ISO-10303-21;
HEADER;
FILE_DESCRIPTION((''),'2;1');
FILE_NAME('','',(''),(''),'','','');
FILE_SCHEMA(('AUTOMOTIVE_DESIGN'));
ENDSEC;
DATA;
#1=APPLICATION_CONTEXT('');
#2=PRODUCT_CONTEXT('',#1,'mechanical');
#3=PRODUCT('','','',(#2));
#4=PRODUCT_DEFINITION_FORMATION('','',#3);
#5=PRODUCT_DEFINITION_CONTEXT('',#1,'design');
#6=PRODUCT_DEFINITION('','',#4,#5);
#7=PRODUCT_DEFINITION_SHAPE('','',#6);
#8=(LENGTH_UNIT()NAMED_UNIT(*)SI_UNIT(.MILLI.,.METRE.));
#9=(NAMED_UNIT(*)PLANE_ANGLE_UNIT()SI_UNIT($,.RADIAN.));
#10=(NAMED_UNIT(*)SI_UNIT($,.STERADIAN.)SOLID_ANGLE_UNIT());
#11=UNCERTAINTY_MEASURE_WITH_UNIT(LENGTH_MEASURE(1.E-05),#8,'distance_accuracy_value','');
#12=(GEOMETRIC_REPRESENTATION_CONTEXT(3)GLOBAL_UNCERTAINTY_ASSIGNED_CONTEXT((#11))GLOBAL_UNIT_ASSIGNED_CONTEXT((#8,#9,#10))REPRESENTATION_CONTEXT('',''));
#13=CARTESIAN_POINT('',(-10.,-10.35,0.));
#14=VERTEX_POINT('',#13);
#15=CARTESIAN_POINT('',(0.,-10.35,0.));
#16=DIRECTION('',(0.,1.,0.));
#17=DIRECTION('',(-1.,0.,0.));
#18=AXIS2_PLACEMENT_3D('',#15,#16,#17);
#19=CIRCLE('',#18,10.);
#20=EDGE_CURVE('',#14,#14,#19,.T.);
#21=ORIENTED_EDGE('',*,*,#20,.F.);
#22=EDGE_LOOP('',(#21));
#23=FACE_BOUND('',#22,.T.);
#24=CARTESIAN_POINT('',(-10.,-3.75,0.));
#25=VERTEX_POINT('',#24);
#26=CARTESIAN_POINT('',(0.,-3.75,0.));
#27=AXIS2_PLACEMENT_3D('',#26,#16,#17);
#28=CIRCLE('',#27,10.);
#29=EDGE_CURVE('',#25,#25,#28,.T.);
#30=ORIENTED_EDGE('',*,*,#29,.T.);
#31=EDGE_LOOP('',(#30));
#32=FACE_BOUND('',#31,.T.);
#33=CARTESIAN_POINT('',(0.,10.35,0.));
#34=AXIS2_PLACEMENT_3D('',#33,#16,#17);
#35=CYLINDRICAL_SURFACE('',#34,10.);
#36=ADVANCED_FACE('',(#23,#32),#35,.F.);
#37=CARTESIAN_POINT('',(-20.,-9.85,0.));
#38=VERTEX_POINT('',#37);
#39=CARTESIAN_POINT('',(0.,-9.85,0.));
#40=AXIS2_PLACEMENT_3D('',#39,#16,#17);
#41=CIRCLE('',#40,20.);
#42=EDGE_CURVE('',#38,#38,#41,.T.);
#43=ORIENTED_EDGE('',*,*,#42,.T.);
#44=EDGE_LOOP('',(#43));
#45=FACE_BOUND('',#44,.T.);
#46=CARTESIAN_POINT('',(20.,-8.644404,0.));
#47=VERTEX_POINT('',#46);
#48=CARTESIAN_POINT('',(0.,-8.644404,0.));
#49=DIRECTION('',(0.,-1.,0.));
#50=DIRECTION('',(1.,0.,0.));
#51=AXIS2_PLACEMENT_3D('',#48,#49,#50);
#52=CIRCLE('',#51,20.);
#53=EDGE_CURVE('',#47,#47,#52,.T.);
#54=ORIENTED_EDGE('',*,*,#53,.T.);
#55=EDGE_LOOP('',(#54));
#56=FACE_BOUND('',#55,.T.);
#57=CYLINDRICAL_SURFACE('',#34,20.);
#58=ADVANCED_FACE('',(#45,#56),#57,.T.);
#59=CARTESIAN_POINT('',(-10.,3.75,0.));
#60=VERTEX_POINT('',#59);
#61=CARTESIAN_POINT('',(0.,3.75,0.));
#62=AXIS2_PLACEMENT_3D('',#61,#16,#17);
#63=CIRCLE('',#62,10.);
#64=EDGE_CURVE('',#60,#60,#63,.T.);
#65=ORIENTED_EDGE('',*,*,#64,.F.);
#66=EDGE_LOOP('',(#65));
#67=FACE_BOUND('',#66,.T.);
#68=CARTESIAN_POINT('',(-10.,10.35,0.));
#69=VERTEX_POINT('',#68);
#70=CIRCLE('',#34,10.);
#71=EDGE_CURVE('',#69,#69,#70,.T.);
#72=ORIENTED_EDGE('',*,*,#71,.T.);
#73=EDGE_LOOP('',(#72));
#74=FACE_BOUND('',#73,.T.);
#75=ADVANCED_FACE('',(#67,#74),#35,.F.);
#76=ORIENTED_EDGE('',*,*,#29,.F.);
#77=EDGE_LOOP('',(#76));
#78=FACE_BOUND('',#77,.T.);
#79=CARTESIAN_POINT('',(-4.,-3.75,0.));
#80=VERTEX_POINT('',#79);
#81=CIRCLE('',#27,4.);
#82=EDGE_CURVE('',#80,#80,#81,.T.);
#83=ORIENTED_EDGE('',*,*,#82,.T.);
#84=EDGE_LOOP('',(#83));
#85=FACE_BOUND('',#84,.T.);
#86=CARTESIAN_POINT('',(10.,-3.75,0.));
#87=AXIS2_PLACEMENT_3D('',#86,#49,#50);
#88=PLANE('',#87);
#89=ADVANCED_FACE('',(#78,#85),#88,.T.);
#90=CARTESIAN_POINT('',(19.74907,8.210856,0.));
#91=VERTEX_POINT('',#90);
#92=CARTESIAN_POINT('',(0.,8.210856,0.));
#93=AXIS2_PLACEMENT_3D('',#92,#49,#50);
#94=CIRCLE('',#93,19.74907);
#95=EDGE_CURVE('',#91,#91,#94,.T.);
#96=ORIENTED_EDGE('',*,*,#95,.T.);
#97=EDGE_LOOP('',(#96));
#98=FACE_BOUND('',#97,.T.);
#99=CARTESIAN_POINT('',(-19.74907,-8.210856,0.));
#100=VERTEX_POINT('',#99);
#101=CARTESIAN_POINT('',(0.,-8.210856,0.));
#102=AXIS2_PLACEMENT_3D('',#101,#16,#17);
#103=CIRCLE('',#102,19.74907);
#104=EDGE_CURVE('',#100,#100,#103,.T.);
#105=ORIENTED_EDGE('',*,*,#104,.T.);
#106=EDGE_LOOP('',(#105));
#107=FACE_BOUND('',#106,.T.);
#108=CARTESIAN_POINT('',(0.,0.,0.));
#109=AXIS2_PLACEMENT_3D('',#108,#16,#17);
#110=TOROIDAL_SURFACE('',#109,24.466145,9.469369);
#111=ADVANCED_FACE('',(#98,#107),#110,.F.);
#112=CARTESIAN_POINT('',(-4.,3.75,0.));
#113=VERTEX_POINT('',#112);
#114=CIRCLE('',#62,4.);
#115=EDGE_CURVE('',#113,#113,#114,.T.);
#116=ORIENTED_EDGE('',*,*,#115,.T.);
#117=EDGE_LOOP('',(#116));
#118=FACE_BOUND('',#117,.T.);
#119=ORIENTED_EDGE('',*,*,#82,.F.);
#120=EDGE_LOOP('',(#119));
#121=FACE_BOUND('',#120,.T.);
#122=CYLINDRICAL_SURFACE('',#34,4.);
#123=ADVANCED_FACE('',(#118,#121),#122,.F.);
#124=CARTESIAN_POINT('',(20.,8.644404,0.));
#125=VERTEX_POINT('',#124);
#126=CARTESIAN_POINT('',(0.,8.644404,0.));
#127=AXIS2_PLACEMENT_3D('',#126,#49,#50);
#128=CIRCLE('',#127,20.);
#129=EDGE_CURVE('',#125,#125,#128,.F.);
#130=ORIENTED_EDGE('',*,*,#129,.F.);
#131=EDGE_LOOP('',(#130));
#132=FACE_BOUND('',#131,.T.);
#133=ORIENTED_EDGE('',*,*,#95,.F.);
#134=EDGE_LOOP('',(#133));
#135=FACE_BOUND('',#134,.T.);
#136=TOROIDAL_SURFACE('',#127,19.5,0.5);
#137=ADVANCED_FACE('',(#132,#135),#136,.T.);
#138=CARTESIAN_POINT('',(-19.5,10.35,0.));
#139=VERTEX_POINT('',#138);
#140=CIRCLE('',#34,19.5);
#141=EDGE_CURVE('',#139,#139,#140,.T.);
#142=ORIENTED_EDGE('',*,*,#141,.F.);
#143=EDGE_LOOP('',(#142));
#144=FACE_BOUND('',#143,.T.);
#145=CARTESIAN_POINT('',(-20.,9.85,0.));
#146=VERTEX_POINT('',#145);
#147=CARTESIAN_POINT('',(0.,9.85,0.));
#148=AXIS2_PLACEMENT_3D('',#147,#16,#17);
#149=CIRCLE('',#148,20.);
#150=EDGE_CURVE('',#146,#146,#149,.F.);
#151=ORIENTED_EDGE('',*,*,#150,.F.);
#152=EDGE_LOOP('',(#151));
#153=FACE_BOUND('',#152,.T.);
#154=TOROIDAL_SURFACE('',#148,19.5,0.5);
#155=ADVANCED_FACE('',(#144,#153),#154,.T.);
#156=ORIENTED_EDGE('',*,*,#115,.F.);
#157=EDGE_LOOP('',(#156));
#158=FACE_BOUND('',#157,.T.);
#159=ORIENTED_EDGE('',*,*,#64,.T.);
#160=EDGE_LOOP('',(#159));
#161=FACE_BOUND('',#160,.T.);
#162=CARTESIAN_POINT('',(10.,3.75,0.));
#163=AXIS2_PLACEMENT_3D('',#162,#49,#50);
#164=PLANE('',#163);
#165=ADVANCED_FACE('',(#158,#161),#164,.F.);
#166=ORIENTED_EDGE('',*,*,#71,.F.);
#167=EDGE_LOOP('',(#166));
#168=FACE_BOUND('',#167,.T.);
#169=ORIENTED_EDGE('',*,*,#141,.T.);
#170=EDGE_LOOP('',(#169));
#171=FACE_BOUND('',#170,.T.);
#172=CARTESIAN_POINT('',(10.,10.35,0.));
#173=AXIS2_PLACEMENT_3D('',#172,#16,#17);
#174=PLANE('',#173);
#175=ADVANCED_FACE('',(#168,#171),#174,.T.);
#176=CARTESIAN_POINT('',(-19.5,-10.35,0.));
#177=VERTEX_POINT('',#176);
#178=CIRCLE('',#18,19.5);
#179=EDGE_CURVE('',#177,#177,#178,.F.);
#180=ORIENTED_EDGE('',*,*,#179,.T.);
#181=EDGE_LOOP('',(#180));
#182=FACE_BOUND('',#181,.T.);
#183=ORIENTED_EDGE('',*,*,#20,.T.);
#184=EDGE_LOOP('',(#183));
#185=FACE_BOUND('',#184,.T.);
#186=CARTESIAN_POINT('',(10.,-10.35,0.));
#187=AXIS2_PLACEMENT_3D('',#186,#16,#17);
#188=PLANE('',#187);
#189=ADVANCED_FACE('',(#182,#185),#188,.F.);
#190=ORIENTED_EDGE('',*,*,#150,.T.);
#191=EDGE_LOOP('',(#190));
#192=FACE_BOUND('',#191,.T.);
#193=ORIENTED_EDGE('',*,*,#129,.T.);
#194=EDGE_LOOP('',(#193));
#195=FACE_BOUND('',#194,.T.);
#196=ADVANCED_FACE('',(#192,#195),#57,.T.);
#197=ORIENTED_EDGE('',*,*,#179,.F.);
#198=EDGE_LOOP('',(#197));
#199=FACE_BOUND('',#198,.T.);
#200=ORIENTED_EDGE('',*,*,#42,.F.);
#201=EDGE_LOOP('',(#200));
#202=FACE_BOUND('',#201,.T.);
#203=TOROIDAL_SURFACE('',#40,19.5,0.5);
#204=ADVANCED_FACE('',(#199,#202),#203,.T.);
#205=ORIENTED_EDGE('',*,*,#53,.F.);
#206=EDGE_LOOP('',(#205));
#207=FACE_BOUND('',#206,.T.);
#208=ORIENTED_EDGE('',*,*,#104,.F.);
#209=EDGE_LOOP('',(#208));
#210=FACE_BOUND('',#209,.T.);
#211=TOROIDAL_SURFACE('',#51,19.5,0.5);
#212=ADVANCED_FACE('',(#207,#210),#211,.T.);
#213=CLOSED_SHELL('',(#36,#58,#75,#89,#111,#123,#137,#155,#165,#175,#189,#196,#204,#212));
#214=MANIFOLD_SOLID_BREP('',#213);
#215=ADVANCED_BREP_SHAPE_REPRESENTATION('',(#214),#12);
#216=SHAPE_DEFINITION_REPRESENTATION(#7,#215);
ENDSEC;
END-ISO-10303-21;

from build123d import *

# Parameters (mm, degrees)
RACCORDO1_R = 0.5


with BuildPart() as part:
    # Schizzo5 → Rivoluzione12 (revolve)
    with BuildSketch(Plane.XY, mode=Mode.PRIVATE) as rivoluzione12_sk:
        with BuildLine():
            Line((20, 10.35), (20, 8.35))
            ThreePointArc((20, 8.35), (14.99677569, 0), (20, -8.35))
            Line((20, -8.35), (20, -10.35))
            Line((20, -10.35), (10, -10.35))
            Line((10, -10.35), (10, -3.75))
            Line((10, -3.75), (4, -3.75))
            Line((4, -3.75), (4, 3.75))
            Line((4, 3.75), (10, 3.75))
            Line((10, 3.75), (10, 10.35))
            Line((10, 10.35), (20, 10.35))
        make_face()
    revolve(rivoluzione12_sk.sketch.rotate(Axis((0, 10.35, 0), (0, -1, 0)), 180), axis=Axis((0, 10.35, 0), (0, -1, 0)))

    # Raccordo1
    raccordo1_edges = [part.edges().sort_by_distance(p)[0] for p in [
        (20, 10.35, 0),
        (20, 8.35, 0),
        (20, -8.35, 0),
        (20, -10.35, 0),
    ]]
    fillet(raccordo1_edges, radius=RACCORDO1_R)


solid = part.part
